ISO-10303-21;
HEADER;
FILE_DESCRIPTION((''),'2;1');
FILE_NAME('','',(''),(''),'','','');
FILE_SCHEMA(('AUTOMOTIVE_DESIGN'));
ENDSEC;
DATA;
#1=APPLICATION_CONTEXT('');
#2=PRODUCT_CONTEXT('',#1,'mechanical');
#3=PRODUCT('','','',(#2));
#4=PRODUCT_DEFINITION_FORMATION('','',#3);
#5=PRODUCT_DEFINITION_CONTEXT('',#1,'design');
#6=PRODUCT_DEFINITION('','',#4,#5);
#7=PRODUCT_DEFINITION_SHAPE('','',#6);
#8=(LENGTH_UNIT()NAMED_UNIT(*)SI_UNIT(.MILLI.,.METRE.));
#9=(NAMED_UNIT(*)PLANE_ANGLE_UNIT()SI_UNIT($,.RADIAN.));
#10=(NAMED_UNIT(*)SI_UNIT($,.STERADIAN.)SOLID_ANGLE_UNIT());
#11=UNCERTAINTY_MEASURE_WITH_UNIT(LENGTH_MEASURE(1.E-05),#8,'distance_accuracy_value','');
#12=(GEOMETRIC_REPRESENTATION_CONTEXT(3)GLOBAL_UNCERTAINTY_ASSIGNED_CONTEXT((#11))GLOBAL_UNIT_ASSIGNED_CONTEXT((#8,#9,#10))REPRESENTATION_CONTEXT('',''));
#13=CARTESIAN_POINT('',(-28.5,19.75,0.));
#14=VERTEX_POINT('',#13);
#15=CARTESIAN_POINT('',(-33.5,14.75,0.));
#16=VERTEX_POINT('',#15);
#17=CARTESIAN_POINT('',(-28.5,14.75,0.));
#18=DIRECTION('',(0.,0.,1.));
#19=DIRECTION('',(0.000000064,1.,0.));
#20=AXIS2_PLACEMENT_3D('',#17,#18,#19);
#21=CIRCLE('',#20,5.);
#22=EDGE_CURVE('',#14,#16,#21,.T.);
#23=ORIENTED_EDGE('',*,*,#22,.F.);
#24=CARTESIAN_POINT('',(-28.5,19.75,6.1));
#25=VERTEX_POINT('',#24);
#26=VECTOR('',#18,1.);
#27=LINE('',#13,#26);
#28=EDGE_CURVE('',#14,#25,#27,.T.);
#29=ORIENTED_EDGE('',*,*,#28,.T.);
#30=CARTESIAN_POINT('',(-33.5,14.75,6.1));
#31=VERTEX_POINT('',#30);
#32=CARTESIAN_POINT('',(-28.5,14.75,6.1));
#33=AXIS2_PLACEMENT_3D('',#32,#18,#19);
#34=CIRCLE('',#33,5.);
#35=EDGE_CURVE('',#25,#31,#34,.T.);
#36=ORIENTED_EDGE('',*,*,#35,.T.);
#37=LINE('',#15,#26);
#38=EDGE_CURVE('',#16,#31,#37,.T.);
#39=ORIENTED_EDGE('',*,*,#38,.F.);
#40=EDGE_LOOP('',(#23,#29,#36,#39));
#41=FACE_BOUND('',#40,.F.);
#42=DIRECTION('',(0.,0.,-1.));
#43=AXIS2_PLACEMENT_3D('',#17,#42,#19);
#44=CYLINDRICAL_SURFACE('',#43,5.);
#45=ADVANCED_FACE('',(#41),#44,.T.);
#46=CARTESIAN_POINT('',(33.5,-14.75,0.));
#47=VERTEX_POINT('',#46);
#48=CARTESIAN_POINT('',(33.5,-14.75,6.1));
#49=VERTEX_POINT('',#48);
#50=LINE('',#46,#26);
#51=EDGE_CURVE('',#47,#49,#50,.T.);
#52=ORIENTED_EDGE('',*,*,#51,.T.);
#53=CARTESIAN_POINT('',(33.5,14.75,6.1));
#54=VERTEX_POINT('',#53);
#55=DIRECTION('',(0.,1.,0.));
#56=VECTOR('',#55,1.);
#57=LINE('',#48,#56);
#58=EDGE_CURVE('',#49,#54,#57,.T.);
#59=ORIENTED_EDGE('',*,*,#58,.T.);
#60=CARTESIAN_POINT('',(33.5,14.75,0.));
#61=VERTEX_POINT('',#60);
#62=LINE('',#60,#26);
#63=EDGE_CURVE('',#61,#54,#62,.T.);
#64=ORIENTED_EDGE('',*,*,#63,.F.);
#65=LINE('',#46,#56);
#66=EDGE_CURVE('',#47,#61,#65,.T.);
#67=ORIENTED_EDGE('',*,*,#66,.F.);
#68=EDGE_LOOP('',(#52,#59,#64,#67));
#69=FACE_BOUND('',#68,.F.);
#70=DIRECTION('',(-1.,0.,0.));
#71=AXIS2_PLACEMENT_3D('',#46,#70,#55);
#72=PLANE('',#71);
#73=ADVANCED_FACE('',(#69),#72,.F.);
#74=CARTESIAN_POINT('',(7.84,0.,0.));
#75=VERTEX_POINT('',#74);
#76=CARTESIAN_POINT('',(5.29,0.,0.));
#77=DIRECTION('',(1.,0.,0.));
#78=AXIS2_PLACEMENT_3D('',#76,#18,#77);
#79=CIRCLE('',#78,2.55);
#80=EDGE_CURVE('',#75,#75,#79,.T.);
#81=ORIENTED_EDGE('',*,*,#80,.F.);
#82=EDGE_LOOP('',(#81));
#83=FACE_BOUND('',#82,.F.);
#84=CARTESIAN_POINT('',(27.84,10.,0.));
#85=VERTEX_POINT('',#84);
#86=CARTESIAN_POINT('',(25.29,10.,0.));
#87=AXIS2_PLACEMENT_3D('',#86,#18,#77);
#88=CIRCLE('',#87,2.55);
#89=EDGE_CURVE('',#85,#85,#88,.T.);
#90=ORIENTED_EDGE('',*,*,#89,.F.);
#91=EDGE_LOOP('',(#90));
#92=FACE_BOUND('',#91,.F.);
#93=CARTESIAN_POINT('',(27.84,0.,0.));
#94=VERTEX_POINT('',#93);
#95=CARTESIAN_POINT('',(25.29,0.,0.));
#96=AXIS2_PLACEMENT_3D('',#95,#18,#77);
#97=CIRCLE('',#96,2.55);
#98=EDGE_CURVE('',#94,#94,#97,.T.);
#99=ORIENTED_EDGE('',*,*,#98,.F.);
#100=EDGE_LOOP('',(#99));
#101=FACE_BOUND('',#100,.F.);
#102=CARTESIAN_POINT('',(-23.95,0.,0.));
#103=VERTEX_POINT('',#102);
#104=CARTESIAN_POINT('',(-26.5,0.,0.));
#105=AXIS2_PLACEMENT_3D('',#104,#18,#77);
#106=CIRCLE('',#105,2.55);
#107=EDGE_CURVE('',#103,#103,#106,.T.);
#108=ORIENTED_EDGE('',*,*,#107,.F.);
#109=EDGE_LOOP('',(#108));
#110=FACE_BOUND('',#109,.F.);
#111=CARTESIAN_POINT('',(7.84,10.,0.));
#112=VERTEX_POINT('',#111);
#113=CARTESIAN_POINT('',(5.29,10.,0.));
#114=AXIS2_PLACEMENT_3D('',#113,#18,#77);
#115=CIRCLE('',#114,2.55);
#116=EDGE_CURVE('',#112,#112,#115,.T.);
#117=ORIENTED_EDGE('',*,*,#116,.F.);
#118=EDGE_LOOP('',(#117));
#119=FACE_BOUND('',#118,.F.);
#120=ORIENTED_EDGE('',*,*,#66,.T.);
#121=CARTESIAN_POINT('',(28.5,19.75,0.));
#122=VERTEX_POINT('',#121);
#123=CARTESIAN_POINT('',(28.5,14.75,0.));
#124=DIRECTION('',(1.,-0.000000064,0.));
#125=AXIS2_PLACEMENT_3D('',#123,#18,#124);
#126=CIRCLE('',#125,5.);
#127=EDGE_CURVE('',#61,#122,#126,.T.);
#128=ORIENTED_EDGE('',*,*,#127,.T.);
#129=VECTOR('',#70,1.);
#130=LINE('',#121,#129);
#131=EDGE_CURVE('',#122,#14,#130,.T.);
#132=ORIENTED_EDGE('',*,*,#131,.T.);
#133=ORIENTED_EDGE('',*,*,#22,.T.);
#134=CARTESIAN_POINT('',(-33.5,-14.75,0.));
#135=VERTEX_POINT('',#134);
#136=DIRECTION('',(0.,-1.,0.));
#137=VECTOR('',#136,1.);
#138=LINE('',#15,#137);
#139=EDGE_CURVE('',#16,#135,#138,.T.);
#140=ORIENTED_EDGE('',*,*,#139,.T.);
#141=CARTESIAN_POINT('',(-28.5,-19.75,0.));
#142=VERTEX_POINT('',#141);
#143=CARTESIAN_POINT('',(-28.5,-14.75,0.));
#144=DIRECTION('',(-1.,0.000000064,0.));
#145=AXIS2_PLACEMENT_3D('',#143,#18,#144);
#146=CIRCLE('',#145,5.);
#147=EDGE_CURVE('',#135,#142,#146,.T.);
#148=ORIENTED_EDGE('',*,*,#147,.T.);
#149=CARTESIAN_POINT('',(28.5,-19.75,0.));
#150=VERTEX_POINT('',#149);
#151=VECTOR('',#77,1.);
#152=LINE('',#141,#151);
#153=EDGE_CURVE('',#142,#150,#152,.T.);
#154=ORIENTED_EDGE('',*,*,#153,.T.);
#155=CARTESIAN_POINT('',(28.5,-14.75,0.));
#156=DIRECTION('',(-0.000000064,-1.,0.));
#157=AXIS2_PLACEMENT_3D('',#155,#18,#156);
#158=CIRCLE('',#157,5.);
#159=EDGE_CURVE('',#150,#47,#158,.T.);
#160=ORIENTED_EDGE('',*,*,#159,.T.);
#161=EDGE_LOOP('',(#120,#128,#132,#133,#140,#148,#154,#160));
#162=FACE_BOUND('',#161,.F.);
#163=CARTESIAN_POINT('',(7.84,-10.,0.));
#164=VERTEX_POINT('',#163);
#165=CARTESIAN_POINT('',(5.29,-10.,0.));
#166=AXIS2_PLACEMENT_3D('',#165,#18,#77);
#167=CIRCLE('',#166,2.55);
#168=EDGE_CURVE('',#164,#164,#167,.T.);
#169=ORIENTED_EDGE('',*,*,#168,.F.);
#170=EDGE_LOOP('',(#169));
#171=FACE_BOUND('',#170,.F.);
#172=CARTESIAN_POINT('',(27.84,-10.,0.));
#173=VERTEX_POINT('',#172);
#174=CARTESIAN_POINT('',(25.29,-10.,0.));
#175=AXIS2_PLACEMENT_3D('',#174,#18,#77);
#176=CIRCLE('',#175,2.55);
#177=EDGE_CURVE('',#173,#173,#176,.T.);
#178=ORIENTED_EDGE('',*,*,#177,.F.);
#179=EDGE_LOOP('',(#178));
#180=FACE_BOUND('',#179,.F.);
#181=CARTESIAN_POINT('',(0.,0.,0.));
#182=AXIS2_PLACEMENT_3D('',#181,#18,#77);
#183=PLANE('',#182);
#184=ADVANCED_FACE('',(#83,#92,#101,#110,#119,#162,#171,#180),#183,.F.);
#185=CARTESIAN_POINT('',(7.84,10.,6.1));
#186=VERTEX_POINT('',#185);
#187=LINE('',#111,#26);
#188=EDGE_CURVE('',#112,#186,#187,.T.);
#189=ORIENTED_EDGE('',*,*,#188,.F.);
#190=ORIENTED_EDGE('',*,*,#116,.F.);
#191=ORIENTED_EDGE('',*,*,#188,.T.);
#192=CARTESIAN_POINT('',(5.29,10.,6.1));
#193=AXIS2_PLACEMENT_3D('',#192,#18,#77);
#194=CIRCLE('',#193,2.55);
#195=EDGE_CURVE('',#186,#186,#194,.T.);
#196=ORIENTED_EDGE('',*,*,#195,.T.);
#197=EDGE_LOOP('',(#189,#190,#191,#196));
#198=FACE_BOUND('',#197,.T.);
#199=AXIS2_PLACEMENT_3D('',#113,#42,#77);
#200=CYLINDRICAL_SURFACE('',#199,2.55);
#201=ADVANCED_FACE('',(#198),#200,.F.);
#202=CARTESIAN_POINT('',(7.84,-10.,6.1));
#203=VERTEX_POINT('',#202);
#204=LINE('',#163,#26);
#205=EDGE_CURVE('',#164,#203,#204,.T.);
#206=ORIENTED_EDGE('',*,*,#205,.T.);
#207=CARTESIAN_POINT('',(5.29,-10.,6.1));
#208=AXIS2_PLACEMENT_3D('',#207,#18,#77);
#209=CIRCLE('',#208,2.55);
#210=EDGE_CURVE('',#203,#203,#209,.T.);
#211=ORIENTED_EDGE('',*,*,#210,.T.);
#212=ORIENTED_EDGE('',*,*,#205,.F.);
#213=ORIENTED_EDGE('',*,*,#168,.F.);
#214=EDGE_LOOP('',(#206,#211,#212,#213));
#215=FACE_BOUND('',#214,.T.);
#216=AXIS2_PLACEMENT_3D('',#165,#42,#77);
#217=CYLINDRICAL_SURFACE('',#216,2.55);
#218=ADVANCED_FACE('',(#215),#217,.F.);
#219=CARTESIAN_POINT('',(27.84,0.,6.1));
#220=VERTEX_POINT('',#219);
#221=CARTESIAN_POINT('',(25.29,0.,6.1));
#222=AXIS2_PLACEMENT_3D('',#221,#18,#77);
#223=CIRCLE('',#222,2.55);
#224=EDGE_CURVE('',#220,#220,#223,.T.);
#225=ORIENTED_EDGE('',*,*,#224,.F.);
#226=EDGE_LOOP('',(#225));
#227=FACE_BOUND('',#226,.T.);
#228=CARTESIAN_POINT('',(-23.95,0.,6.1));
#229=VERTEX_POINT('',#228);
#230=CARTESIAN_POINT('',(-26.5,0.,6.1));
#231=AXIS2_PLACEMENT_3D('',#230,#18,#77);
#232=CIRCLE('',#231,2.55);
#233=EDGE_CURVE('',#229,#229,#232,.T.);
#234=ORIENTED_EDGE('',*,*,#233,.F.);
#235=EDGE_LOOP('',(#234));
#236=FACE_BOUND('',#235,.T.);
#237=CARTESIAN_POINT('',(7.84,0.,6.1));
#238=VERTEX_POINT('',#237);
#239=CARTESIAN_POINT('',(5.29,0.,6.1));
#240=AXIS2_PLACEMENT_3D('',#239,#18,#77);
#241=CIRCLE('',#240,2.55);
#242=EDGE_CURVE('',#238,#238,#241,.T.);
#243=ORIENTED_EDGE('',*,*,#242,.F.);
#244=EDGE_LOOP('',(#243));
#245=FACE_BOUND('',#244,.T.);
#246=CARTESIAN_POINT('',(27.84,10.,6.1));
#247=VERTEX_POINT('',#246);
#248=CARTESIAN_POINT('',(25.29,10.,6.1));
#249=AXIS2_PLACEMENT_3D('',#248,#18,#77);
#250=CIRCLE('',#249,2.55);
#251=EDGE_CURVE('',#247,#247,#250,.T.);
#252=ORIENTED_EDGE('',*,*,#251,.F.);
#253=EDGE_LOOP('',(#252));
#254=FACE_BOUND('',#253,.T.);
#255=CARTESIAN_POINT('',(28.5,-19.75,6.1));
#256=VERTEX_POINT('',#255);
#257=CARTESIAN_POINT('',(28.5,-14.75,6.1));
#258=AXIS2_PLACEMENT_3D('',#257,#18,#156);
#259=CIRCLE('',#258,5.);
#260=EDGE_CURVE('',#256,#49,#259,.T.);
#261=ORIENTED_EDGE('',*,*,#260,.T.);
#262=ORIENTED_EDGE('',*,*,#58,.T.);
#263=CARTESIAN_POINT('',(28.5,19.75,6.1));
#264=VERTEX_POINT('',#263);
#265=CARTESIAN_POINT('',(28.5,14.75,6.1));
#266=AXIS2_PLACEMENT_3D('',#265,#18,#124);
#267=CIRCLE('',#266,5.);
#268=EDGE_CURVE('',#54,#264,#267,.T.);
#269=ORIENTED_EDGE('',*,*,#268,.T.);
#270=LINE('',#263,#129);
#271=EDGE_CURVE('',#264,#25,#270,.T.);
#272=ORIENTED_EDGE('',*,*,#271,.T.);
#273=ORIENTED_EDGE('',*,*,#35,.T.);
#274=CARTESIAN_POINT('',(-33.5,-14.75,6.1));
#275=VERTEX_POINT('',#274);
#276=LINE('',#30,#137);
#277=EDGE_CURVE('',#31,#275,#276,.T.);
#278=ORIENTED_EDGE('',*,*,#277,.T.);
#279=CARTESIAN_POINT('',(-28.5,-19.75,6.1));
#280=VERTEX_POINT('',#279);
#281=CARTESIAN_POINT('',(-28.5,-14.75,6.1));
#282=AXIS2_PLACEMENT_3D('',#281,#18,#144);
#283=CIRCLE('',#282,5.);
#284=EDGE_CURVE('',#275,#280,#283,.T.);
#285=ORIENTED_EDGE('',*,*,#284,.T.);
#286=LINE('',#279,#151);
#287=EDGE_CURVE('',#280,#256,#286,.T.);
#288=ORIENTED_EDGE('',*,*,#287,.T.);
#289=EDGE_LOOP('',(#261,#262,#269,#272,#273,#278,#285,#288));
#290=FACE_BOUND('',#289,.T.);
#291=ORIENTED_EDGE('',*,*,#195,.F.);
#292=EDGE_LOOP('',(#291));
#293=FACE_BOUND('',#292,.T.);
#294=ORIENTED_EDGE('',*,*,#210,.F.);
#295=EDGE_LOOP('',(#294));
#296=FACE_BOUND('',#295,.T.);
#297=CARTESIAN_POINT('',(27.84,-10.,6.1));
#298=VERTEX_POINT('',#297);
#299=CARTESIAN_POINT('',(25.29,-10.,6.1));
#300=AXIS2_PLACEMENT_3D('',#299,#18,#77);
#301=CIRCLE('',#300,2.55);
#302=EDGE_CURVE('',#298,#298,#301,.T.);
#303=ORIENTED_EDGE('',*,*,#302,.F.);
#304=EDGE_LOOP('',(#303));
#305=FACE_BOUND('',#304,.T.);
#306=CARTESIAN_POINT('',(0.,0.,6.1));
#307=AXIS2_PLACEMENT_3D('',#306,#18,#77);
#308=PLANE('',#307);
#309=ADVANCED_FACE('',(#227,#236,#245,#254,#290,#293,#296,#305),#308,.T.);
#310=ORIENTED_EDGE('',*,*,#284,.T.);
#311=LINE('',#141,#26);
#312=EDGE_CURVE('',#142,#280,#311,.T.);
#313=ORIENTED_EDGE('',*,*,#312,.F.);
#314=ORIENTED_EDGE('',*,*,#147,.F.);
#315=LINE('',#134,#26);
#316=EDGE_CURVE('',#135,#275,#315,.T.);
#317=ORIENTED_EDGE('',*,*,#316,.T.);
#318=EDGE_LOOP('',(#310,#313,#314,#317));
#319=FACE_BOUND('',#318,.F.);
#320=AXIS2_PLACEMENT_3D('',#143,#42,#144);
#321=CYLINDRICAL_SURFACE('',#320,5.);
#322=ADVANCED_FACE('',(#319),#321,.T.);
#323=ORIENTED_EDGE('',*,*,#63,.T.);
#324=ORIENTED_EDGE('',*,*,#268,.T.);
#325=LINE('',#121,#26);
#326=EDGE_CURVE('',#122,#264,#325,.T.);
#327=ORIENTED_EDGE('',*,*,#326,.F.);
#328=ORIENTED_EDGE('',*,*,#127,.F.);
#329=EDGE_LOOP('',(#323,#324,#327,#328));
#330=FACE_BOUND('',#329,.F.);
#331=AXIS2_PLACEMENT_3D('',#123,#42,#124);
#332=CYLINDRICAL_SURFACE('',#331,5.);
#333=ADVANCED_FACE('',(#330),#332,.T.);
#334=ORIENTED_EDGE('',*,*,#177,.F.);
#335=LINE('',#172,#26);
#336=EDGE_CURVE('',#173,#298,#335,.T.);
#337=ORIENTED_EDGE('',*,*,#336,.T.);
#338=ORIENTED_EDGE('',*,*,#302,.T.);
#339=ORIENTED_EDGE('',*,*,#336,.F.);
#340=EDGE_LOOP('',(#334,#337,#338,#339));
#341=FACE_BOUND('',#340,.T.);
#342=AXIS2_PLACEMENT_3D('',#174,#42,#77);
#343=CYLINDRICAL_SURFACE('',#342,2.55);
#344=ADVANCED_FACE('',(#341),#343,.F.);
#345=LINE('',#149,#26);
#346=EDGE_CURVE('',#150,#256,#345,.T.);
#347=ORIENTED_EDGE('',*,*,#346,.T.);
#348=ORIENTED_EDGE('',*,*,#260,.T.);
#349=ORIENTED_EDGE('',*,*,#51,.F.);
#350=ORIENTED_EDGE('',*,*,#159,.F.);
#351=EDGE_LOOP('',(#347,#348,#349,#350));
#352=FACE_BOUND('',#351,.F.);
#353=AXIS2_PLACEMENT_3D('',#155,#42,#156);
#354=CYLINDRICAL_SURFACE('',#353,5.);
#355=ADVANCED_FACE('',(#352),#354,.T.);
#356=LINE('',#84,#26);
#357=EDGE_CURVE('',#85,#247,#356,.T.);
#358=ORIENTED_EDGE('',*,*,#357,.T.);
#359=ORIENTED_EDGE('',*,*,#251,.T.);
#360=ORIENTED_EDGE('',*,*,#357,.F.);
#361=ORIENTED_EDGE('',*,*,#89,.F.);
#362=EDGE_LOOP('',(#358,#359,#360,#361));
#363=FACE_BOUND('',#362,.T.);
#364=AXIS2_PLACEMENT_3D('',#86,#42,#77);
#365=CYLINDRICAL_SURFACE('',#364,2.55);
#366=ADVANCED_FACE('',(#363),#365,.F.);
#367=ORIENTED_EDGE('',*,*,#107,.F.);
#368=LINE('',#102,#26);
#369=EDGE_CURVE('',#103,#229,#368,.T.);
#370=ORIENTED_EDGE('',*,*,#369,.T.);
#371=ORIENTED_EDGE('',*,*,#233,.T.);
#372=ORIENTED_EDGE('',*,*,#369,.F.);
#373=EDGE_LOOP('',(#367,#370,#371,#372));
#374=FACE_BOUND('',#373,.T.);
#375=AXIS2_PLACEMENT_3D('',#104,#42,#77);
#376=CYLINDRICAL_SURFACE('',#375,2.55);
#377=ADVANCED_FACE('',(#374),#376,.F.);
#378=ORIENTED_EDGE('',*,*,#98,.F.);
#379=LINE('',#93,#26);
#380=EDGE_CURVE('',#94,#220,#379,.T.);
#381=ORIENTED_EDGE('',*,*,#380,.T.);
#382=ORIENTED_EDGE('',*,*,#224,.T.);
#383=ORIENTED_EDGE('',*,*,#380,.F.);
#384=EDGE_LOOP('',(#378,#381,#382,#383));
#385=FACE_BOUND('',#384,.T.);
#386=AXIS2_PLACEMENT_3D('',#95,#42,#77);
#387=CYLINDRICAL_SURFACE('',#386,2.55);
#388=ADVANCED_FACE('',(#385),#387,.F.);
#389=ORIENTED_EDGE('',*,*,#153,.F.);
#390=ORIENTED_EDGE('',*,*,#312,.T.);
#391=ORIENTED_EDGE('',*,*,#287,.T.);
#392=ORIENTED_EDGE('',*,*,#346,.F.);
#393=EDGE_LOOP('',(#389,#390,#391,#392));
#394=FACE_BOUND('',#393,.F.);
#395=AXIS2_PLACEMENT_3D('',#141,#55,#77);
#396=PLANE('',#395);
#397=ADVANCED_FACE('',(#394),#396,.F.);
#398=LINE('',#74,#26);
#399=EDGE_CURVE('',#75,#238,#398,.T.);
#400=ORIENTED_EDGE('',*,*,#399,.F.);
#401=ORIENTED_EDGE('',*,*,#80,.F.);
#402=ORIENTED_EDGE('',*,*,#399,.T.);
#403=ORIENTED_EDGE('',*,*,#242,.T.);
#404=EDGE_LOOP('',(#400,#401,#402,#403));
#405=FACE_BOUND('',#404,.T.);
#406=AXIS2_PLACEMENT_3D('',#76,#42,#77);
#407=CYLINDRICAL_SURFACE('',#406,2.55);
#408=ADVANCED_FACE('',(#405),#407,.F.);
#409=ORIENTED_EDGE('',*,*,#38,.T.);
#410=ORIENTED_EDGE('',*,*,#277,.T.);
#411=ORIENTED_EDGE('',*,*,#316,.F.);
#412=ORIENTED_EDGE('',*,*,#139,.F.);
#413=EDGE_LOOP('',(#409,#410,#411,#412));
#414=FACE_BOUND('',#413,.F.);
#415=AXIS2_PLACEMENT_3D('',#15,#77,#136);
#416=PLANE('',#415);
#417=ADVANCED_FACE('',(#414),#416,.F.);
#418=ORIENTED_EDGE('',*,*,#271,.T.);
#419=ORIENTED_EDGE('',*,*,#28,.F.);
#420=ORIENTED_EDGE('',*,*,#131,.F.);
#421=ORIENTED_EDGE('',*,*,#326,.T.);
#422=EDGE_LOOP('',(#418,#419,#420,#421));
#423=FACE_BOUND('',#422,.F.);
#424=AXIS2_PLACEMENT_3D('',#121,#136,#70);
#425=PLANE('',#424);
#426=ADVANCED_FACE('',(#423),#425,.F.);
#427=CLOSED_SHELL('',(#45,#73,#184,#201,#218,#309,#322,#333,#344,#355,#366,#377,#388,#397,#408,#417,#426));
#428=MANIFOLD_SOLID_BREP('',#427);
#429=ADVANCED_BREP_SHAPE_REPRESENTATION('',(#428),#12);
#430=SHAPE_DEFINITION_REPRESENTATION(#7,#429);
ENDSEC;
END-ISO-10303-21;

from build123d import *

# Parameters (mm, degrees)
F0_R     = 2.55
F1_DEPTH = 6.1


with BuildPart() as f1:
    # F0 (on Top) → F1 (new body)
    with BuildSketch(Plane.XY):
        with BuildLine():
            Line((28.5, 19.75), (-28.5, 19.75))
            ThreePointArc((-28.5, 19.75), (-32.035534, 18.285534), (-33.5, 14.75))
            Line((-33.5, 14.75), (-33.5, -14.75))
            ThreePointArc((-33.5, -14.75), (-32.035534, -18.285534), (-28.5, -19.75))
            Line((-28.5, -19.75), (28.5, -19.75))
            ThreePointArc((28.5, -19.75), (32.035534, -18.285534), (33.5, -14.75))
            Line((33.5, -14.75), (33.5, 14.75))
            ThreePointArc((33.5, 14.75), (32.035534, 18.285534), (28.5, 19.75))
        make_face()
        with Locations((5.29, -10)):
            Circle(F0_R, mode=Mode.SUBTRACT)
        with Locations((25.29, -10)):
            Circle(F0_R, mode=Mode.SUBTRACT)
        with Locations((-26.5, 0)):
            Circle(F0_R, mode=Mode.SUBTRACT)
        with Locations((5.29, 0)):
            Circle(F0_R, mode=Mode.SUBTRACT)
        with Locations((25.29, 0)):
            Circle(F0_R, mode=Mode.SUBTRACT)
        with Locations((5.29, 10)):
            Circle(F0_R, mode=Mode.SUBTRACT)
        with Locations((25.29, 10)):
            Circle(F0_R, mode=Mode.SUBTRACT)
    extrude(amount=F1_DEPTH)


solid = f1.part
